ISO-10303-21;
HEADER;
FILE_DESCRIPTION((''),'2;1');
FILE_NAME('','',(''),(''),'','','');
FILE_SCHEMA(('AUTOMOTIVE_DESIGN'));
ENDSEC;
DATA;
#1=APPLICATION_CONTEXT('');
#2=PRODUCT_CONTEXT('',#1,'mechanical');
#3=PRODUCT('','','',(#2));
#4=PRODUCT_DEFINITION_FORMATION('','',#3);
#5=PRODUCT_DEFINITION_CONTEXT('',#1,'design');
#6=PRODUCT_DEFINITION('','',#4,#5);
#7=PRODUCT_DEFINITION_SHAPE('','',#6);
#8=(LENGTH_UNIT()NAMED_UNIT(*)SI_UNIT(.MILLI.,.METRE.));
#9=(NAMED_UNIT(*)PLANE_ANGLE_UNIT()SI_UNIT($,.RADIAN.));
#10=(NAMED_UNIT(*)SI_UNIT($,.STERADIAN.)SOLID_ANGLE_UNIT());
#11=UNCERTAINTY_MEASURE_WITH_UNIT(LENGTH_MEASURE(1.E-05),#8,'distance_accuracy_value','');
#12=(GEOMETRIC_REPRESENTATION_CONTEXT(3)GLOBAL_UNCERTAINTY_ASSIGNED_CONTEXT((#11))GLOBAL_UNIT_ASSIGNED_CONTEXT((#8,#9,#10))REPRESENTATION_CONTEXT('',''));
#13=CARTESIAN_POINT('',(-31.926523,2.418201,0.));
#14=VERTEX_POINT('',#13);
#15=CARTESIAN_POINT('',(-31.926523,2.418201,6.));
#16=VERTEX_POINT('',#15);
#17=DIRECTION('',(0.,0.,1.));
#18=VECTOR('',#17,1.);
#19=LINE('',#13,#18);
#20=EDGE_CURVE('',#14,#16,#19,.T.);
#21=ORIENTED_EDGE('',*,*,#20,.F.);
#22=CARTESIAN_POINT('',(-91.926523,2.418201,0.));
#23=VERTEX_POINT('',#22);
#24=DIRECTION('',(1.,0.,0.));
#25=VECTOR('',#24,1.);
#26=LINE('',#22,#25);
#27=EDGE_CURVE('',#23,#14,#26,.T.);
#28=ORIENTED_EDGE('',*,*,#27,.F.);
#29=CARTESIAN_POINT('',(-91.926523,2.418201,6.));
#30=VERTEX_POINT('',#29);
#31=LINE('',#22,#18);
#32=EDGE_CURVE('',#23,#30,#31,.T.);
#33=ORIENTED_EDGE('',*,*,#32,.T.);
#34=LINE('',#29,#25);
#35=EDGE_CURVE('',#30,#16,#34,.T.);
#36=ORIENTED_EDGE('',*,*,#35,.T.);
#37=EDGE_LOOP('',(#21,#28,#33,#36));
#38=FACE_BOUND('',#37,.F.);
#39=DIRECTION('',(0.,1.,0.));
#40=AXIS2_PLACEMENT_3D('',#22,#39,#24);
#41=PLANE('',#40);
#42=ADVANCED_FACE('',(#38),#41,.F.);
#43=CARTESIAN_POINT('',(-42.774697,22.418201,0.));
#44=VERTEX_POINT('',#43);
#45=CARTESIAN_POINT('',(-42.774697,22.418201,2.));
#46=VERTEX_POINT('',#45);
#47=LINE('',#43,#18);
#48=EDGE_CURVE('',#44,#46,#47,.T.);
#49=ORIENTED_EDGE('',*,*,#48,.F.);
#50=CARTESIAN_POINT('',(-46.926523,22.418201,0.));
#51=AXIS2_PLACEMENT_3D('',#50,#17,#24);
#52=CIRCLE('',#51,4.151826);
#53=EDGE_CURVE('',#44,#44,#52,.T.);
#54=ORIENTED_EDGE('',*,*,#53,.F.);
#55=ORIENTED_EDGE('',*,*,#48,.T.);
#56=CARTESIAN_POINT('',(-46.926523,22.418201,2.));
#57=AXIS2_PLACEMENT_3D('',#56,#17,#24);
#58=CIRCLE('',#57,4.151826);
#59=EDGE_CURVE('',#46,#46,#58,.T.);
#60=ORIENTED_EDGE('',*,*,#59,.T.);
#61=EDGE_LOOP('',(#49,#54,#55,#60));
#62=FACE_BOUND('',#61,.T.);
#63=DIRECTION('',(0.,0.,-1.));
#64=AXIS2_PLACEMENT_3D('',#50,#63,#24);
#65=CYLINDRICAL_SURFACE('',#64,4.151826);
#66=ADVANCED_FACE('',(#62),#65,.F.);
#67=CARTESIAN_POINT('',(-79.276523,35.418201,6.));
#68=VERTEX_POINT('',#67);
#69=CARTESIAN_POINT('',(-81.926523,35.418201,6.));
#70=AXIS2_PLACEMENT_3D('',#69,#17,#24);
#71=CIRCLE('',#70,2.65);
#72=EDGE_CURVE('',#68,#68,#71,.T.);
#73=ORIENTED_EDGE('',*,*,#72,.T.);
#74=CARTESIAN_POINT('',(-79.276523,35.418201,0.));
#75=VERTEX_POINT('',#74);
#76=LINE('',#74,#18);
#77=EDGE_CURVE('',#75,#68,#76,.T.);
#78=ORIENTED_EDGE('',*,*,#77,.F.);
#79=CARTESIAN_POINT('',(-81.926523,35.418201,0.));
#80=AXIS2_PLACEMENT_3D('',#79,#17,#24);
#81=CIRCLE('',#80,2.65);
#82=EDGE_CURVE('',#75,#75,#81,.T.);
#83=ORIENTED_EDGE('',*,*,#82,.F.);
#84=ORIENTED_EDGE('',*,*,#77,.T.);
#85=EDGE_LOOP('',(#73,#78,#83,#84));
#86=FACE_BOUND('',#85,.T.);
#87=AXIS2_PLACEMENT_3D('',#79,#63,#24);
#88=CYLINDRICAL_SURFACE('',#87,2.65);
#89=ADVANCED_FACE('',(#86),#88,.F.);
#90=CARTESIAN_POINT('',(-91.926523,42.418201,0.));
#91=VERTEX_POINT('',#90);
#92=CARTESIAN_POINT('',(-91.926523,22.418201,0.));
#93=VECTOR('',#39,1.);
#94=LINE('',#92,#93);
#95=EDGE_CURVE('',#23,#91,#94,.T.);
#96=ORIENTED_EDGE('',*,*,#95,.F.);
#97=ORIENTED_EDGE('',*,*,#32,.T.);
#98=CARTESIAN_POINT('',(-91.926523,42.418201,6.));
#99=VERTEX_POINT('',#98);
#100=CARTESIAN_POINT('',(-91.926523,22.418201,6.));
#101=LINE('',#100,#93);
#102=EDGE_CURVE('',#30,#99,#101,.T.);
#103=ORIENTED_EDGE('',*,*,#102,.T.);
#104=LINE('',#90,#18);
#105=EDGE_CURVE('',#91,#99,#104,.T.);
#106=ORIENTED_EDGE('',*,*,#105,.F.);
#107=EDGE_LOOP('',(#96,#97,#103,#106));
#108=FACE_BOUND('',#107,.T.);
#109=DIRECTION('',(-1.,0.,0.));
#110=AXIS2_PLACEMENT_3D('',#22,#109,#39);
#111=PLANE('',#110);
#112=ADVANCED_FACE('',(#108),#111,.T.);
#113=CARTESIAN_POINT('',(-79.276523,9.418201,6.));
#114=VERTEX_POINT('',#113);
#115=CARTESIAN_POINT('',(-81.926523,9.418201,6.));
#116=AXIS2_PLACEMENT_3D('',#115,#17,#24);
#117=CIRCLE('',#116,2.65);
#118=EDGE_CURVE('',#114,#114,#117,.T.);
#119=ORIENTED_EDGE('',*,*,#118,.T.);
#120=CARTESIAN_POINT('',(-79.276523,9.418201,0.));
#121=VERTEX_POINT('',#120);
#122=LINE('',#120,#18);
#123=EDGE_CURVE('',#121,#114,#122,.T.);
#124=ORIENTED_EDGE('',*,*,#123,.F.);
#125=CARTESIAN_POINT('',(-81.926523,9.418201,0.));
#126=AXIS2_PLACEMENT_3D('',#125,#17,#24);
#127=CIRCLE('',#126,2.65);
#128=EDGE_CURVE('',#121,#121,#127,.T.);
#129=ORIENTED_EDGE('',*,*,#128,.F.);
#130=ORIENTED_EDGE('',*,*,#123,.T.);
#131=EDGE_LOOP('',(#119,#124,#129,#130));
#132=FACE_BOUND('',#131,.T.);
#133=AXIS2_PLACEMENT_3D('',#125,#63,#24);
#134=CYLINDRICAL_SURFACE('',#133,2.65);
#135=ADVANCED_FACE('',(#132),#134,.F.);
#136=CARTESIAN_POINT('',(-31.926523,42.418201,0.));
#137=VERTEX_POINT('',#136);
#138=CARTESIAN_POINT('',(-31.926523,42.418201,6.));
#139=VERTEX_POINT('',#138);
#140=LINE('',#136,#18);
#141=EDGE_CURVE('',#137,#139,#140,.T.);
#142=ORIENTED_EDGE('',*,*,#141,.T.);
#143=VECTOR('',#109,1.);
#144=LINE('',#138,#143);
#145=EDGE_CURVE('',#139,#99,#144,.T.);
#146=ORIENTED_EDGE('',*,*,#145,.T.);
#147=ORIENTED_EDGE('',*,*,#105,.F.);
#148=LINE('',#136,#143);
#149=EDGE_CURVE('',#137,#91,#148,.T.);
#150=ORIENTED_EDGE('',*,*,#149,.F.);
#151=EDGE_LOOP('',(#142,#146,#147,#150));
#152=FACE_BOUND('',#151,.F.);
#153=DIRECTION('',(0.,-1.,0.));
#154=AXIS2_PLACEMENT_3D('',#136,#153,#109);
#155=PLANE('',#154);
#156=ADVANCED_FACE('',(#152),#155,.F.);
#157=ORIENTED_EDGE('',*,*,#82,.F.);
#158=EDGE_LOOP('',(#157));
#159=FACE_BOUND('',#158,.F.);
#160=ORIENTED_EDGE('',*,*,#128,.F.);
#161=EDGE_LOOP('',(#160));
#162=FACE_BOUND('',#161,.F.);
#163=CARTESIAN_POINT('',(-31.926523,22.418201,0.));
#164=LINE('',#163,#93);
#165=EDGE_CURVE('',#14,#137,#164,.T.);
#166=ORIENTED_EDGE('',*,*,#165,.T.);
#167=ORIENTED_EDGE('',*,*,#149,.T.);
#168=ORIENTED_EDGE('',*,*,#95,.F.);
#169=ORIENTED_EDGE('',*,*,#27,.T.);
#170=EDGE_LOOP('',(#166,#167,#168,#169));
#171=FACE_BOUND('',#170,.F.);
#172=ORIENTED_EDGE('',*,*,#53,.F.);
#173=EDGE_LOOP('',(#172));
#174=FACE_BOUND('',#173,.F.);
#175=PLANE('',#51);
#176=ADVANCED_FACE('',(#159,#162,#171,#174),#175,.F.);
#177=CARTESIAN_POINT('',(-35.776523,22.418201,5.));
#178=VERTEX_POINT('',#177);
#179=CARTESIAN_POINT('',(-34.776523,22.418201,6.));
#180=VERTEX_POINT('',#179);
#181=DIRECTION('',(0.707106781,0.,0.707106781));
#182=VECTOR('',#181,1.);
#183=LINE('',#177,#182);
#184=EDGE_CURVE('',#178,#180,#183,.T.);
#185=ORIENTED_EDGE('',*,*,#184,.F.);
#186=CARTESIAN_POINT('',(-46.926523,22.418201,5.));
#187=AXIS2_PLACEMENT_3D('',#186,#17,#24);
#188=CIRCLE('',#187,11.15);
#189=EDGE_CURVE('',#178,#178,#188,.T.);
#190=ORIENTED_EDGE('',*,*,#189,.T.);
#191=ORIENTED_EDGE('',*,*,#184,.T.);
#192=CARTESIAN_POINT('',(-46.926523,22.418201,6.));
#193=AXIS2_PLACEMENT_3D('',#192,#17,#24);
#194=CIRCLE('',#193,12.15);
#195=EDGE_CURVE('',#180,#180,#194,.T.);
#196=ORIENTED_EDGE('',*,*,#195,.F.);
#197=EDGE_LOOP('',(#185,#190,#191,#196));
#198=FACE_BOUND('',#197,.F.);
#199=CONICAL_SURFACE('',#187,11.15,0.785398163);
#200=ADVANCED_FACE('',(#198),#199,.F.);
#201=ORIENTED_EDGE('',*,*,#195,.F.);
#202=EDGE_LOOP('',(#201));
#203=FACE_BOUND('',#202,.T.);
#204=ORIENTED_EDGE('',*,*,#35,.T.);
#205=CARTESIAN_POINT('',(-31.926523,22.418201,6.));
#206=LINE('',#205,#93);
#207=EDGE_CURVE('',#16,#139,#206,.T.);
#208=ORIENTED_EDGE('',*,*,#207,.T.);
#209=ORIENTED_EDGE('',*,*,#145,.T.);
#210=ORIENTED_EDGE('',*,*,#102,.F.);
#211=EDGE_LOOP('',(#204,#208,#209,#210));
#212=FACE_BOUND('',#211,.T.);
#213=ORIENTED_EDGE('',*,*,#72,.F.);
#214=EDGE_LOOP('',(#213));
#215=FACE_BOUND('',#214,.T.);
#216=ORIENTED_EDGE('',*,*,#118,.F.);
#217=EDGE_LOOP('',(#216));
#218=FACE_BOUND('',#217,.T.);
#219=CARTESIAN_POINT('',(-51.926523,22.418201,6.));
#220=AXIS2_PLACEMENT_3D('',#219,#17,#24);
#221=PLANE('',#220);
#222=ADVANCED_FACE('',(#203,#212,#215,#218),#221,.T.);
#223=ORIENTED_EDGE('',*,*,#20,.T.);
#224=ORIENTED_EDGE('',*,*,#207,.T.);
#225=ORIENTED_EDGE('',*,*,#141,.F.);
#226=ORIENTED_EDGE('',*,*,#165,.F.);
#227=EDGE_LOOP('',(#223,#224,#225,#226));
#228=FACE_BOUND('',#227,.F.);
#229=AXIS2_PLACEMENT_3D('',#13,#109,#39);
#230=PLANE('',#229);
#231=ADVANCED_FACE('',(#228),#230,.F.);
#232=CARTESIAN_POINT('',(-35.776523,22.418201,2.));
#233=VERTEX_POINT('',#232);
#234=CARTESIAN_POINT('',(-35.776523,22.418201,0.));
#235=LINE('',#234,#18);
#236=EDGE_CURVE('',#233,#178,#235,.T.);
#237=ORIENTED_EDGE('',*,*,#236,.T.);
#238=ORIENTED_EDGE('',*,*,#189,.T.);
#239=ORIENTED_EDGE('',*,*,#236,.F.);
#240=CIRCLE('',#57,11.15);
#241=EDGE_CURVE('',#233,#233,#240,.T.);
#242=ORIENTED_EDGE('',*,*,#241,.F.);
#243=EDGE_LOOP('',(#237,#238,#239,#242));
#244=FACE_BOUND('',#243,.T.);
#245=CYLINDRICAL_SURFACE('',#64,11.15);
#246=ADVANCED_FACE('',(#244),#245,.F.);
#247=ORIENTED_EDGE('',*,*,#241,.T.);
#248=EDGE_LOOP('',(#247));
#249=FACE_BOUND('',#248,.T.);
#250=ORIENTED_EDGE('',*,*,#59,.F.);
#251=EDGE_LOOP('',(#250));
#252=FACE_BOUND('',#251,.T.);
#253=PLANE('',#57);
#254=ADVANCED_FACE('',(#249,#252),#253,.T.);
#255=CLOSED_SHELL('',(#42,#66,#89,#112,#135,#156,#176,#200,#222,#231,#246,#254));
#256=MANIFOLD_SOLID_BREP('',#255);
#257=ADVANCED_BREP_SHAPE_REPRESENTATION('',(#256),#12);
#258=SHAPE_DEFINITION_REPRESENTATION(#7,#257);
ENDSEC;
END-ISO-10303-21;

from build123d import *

# Parameters (mm, degrees)
F0_W     = 40
F0_H     = 40
F0_R     = 11.15
F0_W_2   = 20
F0_R_2   = 2.65
F1_DEPTH = 6
F0_R_3   = 4.151826
F2_DEPTH = 2
F3_SIZE  = 1


with BuildPart() as f1:
    # F0 (on Top) → F1 (new body)
    with BuildSketch(Plane.XY):
        with Locations((-51.926523, 22.418201)):
            Rectangle(F0_W, F0_H)
        with Locations((-46.926523, 22.418201)):
            Circle(F0_R, mode=Mode.SUBTRACT)
        with Locations((-81.926523, 22.418201)):
            Rectangle(F0_W_2, F0_H)
        with Locations((-81.926523, 9.418201)):
            Circle(F0_R_2, mode=Mode.SUBTRACT)
        with Locations((-81.926523, 35.418201)):
            Circle(F0_R_2, mode=Mode.SUBTRACT)
    extrude(amount=F1_DEPTH)

    # F0 (on Top) → F2 (join)
    with BuildSketch(Plane.XY):
        with Locations((-46.926523, 22.418201)):
            Circle(F0_R)
        with Locations((-46.926523, 22.418201)):
            Circle(F0_R_3, mode=Mode.SUBTRACT)
    extrude(amount=F2_DEPTH)

    # F3
    f3_edges = [f1.edges().sort_by_distance(p)[0] for p in [
        (-58.076523, 22.418201, 6),
    ]]
    chamfer(f3_edges, length=F3_SIZE)


solid = f1.part
